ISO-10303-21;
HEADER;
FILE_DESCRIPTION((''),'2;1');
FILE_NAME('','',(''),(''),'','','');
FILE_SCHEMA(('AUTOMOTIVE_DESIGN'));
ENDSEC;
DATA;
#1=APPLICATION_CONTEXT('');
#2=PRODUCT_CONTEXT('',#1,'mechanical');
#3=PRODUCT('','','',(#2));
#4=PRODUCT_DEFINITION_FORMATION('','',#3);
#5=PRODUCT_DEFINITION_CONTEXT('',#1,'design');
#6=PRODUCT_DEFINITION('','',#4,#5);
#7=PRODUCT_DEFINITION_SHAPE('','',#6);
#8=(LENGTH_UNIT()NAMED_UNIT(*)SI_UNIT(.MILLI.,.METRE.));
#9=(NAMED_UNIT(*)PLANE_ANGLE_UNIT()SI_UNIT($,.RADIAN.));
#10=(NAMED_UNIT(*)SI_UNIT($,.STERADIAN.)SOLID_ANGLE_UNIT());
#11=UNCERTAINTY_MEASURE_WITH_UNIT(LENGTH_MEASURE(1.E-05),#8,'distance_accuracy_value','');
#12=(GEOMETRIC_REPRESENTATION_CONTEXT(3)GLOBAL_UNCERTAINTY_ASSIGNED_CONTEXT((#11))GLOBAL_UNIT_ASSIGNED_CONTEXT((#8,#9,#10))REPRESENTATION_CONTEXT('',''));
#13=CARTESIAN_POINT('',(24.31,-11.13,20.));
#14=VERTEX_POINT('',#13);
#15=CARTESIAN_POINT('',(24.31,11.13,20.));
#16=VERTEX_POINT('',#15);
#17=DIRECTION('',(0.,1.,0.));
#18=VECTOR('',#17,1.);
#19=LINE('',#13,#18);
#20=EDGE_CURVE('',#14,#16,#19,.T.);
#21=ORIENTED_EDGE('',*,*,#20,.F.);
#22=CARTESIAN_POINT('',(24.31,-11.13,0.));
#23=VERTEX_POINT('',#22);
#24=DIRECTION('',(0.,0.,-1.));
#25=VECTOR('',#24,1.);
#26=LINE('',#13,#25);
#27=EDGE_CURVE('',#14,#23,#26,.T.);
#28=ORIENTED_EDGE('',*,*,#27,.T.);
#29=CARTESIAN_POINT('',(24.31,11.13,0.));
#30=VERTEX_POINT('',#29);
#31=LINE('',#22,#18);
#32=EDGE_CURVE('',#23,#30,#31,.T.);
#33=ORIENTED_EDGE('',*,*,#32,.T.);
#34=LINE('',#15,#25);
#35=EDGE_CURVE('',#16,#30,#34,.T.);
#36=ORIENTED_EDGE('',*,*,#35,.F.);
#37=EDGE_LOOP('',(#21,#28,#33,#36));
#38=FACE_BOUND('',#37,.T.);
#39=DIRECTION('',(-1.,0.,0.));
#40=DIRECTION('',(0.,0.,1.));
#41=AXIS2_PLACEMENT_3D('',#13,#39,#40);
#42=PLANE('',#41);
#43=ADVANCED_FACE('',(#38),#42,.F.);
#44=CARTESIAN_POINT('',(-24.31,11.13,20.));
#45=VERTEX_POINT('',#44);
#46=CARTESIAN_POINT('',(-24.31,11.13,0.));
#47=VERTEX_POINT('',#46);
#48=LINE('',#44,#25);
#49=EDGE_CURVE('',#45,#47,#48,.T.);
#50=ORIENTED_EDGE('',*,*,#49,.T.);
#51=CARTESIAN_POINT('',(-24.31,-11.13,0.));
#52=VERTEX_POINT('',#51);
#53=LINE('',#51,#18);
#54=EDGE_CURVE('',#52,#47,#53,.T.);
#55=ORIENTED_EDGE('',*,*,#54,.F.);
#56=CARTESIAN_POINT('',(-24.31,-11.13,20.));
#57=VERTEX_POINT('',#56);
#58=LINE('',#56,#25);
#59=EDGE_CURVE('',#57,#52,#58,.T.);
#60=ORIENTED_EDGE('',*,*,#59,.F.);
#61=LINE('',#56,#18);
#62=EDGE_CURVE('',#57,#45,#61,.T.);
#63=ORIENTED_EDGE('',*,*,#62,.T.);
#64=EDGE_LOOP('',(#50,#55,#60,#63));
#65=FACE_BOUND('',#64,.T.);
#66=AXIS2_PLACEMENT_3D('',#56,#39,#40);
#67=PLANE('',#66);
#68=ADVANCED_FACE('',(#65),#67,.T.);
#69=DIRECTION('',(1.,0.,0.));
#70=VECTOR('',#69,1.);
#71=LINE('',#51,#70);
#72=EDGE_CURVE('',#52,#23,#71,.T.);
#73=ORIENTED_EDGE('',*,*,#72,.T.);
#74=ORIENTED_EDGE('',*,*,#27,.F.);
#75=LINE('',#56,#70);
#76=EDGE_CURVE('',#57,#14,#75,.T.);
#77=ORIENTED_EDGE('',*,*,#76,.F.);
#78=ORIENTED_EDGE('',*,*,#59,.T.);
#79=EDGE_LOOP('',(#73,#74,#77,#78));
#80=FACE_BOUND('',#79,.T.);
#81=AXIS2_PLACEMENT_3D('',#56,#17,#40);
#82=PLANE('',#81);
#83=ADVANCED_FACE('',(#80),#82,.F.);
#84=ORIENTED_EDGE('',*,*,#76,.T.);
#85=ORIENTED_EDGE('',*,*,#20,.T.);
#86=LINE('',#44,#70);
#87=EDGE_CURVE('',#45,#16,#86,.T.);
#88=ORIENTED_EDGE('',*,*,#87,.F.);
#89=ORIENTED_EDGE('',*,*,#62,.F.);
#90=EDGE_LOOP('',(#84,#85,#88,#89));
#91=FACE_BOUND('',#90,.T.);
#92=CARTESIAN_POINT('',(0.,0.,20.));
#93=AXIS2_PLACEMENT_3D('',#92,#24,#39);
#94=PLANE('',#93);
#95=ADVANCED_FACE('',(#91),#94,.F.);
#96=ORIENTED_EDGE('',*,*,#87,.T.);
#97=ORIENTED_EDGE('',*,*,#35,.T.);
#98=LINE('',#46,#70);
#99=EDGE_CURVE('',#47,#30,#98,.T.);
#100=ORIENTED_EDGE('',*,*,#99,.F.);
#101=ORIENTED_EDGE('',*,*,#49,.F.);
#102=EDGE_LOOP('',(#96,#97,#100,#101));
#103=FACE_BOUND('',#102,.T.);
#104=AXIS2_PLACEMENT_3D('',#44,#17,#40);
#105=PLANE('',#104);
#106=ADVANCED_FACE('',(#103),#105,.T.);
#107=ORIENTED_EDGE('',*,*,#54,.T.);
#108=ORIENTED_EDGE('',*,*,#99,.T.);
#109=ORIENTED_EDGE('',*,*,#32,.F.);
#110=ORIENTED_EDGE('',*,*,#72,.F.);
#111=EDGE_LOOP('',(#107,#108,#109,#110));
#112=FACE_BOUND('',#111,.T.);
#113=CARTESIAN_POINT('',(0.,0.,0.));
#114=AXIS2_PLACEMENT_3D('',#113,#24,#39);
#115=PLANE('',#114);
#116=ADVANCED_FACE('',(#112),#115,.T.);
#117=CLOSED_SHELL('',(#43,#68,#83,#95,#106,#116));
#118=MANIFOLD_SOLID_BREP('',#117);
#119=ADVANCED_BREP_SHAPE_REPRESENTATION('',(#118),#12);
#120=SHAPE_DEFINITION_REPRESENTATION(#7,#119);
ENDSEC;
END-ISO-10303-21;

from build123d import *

# Parameters (mm, degrees)
SKETCH1_W           = 48.62
SKETCH1_H           = 22.26
BOSS_EXTRUDE1_DEPTH = 20


with BuildPart() as part:
    # Sketch1 → Boss-Extrude1 (new body)
    with BuildSketch(Plane.XY):
        Rectangle(SKETCH1_W, SKETCH1_H)
    extrude(amount=BOSS_EXTRUDE1_DEPTH)


solid = part.part
